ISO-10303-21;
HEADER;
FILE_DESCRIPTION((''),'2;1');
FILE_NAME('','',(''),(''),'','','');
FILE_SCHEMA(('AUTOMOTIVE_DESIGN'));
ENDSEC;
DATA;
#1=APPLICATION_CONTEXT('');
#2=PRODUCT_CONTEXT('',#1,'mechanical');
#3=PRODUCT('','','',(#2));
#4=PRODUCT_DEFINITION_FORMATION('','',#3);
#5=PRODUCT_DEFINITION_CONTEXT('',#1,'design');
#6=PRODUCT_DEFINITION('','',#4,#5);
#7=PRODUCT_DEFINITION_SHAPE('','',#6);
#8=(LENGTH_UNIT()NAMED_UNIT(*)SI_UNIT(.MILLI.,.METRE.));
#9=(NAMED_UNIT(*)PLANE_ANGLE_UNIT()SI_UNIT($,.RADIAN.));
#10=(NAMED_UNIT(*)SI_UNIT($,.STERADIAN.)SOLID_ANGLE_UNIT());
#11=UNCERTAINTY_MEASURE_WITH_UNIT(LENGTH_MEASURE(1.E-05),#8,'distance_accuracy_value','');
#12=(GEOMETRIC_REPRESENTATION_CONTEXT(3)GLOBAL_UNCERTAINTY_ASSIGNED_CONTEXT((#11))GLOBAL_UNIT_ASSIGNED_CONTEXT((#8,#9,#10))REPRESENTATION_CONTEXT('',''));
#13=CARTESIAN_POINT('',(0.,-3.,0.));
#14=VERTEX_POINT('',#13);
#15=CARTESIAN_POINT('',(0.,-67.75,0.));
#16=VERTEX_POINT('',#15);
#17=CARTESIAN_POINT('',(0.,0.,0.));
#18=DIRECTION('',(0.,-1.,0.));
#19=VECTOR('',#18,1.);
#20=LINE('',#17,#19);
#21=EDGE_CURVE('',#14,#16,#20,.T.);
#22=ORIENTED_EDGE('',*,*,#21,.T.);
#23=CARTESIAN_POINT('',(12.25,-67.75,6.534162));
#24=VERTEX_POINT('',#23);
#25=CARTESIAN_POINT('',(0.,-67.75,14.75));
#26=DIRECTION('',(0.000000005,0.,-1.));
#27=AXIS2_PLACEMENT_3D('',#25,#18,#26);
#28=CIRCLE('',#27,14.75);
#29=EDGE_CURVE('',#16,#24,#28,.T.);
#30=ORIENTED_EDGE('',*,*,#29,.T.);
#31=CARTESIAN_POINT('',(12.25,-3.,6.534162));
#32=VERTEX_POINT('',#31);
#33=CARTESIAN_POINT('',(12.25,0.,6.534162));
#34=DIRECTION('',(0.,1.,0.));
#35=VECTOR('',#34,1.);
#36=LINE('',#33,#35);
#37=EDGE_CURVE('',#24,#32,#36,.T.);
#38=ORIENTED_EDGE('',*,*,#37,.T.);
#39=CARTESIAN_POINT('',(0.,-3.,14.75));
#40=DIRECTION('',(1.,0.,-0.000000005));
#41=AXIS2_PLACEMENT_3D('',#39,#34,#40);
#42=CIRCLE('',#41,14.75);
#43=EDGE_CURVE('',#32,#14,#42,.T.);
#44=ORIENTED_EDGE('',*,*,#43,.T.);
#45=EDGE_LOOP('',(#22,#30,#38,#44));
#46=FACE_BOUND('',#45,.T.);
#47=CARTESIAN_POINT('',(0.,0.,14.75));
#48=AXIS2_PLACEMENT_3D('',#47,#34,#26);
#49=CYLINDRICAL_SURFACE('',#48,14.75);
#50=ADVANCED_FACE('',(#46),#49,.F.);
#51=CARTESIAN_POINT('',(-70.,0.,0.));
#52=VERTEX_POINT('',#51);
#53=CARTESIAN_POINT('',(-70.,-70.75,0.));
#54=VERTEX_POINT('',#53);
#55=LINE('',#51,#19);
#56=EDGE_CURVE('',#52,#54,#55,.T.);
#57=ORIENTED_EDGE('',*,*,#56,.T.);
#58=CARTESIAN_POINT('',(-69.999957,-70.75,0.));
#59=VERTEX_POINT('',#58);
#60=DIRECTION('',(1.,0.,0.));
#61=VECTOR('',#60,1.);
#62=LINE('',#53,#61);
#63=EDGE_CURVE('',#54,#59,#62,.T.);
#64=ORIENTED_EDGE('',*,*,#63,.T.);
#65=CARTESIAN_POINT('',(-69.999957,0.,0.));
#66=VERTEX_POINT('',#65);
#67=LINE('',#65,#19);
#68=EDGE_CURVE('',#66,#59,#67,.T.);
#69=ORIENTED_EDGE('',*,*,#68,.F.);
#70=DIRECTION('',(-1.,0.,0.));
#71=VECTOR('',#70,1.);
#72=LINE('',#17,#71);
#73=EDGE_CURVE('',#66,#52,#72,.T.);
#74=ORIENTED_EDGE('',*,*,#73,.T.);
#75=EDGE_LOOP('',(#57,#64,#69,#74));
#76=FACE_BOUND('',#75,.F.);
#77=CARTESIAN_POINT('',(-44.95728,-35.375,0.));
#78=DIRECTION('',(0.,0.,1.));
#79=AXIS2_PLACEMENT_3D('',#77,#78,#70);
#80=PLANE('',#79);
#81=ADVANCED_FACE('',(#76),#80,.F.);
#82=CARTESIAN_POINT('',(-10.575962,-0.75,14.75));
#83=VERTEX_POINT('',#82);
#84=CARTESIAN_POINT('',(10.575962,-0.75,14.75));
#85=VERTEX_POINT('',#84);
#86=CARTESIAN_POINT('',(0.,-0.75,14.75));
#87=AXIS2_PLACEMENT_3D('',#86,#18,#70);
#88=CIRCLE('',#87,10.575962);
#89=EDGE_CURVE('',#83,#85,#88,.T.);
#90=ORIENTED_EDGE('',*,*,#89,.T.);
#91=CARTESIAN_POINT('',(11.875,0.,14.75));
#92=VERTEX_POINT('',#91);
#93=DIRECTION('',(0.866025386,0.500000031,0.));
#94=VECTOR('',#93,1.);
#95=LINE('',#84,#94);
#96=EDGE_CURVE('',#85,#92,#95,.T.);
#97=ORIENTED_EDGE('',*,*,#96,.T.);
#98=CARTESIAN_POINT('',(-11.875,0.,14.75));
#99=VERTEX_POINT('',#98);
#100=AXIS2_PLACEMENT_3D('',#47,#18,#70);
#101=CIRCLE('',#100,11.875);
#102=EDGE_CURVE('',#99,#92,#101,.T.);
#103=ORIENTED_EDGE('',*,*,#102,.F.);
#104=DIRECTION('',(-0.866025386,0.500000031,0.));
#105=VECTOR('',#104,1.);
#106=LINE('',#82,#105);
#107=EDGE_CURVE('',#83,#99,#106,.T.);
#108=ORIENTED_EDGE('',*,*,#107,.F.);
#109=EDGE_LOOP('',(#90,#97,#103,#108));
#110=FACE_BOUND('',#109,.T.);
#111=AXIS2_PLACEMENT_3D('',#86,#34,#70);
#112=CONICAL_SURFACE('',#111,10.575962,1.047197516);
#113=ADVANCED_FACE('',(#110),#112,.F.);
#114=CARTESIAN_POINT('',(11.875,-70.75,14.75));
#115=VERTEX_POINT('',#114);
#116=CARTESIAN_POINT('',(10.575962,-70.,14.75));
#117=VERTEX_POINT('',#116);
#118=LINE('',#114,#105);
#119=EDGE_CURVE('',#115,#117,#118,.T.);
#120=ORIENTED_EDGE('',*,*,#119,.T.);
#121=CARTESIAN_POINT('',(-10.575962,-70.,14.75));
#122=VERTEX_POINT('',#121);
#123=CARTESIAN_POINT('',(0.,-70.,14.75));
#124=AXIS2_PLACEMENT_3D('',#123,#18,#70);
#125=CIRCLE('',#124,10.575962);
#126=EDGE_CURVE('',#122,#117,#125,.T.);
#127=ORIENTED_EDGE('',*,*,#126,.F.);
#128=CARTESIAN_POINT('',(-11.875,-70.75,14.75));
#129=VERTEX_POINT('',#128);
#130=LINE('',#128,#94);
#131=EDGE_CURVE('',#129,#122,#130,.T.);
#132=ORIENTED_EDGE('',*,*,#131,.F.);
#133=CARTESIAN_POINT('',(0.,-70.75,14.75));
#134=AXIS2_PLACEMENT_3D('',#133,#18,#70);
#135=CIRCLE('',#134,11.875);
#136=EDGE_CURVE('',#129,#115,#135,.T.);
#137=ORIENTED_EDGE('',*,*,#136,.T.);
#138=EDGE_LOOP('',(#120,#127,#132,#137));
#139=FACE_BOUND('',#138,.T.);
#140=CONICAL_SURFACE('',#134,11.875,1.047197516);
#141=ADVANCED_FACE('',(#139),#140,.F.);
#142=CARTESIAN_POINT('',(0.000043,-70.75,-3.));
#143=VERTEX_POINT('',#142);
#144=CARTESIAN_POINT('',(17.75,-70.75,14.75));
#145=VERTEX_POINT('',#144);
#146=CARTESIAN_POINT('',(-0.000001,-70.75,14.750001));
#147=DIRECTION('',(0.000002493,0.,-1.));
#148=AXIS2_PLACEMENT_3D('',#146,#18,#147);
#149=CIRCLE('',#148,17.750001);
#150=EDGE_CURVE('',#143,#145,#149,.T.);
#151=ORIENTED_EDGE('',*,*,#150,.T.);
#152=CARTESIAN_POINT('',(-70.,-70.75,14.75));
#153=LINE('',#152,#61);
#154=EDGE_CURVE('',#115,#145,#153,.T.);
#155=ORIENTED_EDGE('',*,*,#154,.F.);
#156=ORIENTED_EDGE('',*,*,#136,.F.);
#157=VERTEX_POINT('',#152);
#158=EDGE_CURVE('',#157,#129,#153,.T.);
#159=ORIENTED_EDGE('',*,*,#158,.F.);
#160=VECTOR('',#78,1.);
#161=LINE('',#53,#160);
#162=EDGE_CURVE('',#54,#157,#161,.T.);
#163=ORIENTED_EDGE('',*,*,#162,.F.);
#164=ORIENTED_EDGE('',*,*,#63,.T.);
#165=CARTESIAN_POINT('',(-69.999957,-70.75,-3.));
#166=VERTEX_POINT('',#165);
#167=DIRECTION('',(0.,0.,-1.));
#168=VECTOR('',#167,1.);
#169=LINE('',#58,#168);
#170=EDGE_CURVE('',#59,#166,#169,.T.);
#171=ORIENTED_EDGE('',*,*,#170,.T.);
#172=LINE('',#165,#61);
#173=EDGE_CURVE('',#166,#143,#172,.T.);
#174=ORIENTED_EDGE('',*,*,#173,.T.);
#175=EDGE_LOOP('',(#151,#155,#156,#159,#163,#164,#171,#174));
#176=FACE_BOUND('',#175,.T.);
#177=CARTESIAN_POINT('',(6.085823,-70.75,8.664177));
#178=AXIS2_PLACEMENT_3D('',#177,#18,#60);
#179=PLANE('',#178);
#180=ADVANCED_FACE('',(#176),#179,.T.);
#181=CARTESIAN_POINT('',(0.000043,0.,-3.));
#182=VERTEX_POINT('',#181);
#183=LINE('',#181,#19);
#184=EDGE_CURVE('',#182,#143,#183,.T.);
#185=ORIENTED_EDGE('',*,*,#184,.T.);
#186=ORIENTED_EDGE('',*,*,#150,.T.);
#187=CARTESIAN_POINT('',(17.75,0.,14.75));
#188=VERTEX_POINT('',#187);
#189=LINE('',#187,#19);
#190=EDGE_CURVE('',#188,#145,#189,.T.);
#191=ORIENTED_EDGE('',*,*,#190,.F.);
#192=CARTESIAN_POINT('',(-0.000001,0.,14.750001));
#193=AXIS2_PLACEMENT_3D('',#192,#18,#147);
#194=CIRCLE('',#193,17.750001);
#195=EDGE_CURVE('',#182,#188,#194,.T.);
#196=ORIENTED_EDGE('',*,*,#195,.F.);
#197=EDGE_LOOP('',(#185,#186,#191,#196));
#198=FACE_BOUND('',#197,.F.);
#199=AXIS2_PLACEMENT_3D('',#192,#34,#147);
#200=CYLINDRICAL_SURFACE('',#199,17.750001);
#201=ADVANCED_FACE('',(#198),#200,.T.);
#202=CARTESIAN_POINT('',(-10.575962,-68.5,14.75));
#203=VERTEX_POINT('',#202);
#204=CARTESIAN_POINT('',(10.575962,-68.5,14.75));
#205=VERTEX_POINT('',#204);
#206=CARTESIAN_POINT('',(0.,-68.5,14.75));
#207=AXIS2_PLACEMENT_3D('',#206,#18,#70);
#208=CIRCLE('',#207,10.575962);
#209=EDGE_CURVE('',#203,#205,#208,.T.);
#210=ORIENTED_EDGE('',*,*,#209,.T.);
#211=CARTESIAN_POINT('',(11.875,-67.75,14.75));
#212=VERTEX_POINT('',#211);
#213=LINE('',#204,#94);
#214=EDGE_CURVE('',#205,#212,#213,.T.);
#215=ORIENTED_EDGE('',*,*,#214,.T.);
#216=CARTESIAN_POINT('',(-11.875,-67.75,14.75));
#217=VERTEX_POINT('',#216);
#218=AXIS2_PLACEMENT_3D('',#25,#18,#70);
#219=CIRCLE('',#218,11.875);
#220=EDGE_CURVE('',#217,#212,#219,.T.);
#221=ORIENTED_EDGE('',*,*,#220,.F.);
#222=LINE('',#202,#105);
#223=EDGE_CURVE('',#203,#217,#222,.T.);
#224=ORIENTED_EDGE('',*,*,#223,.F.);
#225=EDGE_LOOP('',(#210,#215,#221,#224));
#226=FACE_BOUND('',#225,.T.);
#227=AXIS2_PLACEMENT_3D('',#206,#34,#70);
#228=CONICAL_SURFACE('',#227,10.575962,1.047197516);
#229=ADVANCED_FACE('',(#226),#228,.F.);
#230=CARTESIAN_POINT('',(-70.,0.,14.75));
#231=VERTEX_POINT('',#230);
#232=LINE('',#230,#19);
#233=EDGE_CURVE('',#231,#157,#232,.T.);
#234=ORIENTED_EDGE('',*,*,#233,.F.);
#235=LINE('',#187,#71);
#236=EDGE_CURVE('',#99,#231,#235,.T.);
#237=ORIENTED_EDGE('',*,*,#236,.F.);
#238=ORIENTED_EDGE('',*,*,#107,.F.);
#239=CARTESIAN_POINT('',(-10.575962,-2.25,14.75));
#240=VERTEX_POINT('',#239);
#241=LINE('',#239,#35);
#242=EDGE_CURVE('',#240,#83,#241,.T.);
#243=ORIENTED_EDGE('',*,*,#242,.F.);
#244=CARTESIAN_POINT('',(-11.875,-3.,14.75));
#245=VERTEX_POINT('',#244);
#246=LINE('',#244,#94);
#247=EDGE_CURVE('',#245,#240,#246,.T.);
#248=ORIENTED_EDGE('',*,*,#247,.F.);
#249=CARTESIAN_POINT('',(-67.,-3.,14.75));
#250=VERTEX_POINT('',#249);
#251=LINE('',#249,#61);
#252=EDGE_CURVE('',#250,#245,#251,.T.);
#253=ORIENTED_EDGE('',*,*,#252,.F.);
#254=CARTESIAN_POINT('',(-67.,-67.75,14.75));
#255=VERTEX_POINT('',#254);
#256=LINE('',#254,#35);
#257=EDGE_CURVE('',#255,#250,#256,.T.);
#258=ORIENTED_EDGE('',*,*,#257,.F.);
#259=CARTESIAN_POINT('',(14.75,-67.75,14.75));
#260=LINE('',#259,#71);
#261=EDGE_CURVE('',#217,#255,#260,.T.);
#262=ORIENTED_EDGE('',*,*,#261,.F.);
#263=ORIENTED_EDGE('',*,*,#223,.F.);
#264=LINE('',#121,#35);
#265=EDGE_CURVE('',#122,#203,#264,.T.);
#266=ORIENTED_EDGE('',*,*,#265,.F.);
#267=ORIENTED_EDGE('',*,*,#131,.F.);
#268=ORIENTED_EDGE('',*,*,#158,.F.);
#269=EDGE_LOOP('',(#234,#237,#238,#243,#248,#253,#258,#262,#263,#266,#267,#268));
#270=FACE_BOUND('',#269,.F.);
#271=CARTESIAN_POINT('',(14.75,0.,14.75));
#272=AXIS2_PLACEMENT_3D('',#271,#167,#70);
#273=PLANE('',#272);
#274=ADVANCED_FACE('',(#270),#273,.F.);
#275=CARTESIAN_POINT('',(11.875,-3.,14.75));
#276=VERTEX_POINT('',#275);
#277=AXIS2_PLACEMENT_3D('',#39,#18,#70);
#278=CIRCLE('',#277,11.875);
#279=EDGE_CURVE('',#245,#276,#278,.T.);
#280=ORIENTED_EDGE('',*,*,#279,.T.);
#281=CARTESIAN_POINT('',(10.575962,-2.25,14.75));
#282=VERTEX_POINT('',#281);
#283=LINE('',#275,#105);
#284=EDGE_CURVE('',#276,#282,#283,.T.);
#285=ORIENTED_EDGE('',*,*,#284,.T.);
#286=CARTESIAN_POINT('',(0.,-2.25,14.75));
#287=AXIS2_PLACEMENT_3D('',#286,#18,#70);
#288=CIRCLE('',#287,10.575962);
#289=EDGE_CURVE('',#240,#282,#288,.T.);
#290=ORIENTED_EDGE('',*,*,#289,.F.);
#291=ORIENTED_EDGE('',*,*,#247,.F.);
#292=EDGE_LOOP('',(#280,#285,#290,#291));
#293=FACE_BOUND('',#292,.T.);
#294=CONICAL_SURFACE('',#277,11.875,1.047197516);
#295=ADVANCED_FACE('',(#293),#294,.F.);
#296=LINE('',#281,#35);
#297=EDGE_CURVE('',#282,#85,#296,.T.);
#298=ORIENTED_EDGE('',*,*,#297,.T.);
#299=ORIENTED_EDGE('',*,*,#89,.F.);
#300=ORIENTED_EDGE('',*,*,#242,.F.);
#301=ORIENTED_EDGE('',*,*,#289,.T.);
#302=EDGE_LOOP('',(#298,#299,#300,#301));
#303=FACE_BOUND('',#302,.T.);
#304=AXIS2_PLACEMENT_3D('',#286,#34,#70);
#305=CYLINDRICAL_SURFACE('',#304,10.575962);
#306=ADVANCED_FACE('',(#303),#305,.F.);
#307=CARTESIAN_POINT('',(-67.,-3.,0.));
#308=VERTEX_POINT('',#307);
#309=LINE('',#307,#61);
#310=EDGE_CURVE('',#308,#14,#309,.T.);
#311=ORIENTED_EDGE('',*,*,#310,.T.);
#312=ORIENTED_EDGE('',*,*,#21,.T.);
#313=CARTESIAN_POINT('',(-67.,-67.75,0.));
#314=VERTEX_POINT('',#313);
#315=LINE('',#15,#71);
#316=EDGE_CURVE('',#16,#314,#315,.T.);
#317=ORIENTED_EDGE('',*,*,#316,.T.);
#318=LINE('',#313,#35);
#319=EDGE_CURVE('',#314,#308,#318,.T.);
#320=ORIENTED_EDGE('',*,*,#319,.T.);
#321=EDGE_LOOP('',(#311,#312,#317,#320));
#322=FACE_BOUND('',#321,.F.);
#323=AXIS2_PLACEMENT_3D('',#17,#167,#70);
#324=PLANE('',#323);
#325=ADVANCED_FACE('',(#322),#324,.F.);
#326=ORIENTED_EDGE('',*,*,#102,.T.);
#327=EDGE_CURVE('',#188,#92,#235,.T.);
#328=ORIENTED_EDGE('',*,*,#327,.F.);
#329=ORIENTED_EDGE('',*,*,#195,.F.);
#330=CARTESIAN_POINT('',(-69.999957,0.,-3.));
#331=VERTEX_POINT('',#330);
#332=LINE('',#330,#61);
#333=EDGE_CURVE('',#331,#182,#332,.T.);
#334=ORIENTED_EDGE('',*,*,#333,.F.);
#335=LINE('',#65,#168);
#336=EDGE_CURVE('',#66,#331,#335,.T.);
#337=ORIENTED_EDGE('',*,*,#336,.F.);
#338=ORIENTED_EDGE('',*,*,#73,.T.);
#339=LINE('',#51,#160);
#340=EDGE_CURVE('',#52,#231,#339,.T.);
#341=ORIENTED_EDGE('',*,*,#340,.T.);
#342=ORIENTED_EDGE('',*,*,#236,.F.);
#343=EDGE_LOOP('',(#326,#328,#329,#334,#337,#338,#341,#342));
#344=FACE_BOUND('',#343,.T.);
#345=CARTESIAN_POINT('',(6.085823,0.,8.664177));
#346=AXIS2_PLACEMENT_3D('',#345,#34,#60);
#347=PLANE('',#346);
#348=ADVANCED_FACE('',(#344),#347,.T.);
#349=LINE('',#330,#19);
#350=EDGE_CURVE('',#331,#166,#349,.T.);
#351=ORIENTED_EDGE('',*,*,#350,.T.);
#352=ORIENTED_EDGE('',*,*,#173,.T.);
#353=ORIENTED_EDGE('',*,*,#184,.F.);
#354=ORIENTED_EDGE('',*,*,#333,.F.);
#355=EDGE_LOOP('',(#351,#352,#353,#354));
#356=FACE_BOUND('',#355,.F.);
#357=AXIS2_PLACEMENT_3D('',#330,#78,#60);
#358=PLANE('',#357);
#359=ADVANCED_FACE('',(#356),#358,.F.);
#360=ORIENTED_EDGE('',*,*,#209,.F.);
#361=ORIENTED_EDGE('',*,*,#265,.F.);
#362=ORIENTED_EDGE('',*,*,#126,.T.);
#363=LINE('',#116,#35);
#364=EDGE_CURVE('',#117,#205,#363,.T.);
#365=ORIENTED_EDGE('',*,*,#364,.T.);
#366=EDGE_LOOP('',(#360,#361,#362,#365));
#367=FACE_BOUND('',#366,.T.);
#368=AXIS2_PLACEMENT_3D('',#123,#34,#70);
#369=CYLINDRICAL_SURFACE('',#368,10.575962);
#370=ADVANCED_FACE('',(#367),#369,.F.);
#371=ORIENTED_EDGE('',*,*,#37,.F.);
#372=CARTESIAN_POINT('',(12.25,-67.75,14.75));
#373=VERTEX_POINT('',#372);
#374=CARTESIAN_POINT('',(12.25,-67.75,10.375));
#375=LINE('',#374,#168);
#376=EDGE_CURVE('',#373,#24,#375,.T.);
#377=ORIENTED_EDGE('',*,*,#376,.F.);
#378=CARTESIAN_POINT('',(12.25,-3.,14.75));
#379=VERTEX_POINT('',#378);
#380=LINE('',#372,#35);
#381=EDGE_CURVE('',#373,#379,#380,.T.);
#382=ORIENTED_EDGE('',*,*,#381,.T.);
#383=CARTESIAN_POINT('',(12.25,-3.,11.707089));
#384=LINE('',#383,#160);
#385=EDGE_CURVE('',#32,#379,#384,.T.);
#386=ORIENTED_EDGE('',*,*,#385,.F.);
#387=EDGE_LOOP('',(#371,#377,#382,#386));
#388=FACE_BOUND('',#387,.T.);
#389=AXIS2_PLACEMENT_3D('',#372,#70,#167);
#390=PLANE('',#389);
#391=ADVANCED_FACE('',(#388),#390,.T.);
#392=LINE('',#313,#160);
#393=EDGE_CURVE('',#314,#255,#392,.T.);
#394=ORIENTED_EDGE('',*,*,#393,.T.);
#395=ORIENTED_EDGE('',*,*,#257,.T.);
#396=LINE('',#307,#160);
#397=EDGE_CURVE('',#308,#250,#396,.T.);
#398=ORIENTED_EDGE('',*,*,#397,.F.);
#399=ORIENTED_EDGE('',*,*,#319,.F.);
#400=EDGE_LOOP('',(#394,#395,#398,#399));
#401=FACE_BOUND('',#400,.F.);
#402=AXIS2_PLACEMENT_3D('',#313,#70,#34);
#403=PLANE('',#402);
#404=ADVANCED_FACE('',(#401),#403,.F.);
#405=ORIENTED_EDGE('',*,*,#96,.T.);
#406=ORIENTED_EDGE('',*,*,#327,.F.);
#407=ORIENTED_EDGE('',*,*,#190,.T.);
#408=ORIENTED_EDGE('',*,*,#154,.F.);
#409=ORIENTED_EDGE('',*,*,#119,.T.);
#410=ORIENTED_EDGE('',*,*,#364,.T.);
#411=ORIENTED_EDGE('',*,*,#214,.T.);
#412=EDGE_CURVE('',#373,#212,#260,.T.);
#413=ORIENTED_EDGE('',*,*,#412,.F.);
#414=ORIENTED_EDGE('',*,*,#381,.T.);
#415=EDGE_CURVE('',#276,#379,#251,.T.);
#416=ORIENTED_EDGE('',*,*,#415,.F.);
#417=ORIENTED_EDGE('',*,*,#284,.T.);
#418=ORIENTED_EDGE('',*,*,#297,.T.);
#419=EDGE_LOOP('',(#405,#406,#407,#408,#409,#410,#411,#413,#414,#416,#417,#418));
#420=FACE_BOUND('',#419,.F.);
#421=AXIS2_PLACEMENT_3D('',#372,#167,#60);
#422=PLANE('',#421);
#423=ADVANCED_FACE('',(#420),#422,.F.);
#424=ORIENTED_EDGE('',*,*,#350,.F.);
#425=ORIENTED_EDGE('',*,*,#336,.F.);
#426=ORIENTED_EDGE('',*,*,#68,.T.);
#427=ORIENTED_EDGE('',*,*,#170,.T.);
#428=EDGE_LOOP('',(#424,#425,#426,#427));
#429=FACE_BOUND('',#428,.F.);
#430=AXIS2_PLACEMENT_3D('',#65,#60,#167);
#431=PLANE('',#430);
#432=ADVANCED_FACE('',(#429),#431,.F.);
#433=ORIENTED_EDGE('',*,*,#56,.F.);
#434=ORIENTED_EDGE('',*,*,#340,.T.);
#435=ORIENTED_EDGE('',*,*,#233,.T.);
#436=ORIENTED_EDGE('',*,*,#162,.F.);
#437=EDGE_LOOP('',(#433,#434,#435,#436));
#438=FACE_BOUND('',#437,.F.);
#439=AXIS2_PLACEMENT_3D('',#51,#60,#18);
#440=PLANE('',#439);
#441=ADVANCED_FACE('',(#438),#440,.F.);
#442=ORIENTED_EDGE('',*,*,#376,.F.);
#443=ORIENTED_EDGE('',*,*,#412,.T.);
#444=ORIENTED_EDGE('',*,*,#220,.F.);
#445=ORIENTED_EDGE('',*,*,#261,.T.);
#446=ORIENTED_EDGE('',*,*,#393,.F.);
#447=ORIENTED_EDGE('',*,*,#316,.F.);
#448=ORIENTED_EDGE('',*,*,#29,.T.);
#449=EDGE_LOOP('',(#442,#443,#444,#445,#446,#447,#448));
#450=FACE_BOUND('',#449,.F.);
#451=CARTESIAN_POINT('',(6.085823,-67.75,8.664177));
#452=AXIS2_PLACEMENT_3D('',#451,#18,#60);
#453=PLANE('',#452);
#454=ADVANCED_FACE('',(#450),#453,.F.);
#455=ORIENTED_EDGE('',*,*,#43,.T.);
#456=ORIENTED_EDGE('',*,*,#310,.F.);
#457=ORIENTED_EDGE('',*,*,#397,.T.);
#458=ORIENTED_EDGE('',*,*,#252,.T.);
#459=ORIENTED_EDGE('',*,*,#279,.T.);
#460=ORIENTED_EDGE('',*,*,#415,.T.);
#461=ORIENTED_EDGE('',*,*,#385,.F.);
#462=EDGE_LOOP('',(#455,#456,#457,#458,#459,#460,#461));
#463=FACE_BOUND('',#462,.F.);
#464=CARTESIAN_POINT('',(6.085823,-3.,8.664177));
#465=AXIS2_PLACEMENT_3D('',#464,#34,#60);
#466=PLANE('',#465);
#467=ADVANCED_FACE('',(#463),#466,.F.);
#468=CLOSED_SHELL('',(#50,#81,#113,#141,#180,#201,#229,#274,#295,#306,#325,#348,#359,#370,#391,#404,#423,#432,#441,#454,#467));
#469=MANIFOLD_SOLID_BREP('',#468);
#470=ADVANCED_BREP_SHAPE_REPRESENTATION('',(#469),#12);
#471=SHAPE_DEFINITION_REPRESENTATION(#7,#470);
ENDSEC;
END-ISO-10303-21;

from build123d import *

# Parameters (mm, degrees)
PAD005_DEPTH        = 70.75
PAD006_DEPTH        = 14.75
PAD007_DEPTH        = 3
PAD008_DEPTH        = 3
POCKET001_DEPTH     = 70.751
REVOLUTION001_ANGLE = 180
SKETCH013_W         = 2.5
SKETCH013_H         = 8.75
PAD009_DEPTH        = 67.75


with BuildPart() as part:
    # Sketch007 → Pad005 (new body)
    with BuildSketch(Plane.XZ):
        with BuildLine():
            ThreePointArc((0, 0), (10.429825, 4.320175), (14.75, 14.75))
            Line((14.75, 14.75), (17.75, 14.75))
            ThreePointArc((4.3e-05, -3), (12.55116, 2.19887), (17.75, 14.75))
            Line((-69.999957, -3), (4.3e-05, -3))
            Line((-69.999957, 0), (-69.999957, -3))
            Line((0, 0), (-69.999957, 0))
        make_face()
    extrude(amount=PAD005_DEPTH)

    # Sketch008 (on Face6 of Pad005) → Pad006 (join)
    with BuildSketch(Plane(origin=(0, 0, 0), x_dir=(-1, 0, 0), z_dir=(0, 0, 1))):
        Polygon((70, 0), (70, 70.75), (0, 70.75), (0, 67.75), (67, 67.75), (67, 3), (0, 3), (0, 0), align=None)
    extrude(amount=PAD006_DEPTH)

    # Sketch009 (on Face15 of Pad006) → Pad007 (join)
    with BuildSketch(Plane.XZ.offset(70.75)):
        with BuildLine():
            ThreePointArc((0, 0), (10.429825, 4.320175), (14.75, 14.75))
            Line((0, 14.75), (14.75, 14.75))
            Line((0, 0), (0, 14.75))
        make_face()
    extrude(amount=-PAD007_DEPTH)

    # Sketch010 (on Face2 of Pad007) → Pad008 (join)
    with BuildSketch(Plane(origin=(0, 0, 0), x_dir=(1, 0, 0), z_dir=(0, 1, 0))):
        with BuildLine():
            ThreePointArc((14.75, -14.75), (10.429825, -4.320175), (0, 0))
            Line((0, -14.75), (0, 0))
            Line((14.75, -14.75), (0, -14.75))
        make_face()
    extrude(amount=-PAD008_DEPTH)

    # Sketch011 (on Face2 of Pad008) → Pocket001 (cut, through all)
    with BuildSketch(Plane.XZ.offset(70.75)):
        with BuildLine():
            ThreePointArc((-11.875, 14.75), (0, 2.875), (11.875, 14.75))
            Line((-11.875, 14.75), (11.875, 14.75))
        make_face()
    extrude(amount=-POCKET001_DEPTH, mode=Mode.SUBTRACT)

    # Sketch012 (on Face5 of Pocket001) → Revolution001 (revolve)
    with BuildSketch(Plane(origin=(0, 0, 14.75), x_dir=(-1, 0, 0), z_dir=(0, 0, 1))):
        Polygon((13.174038, 70), (11.875, 70.75), (10.575962, 70), (10.575962, 68.5), (11.875, 67.75), (13.174038, 68.5), align=None)
        Polygon((13.174038, 2.25), (11.875, 3), (10.575962, 2.25), (10.575962, 0.75), (11.875, 0), (13.174038, 0.75), align=None)
    revolve(axis=Axis((0, 0, 14.75), (0, -1, 0)), revolution_arc=REVOLUTION001_ANGLE)

    # Sketch013 (on Face3 of Revolution001) → Pad009 (join)
    with BuildSketch(Plane(origin=(0, -67.75, 0), x_dir=(1, 0, 0), z_dir=(0, 1, 0))):
        with Locations((13.5, -10.375)):
            Rectangle(SKETCH013_W, SKETCH013_H)
    extrude(amount=PAD009_DEPTH)


solid = part.part
